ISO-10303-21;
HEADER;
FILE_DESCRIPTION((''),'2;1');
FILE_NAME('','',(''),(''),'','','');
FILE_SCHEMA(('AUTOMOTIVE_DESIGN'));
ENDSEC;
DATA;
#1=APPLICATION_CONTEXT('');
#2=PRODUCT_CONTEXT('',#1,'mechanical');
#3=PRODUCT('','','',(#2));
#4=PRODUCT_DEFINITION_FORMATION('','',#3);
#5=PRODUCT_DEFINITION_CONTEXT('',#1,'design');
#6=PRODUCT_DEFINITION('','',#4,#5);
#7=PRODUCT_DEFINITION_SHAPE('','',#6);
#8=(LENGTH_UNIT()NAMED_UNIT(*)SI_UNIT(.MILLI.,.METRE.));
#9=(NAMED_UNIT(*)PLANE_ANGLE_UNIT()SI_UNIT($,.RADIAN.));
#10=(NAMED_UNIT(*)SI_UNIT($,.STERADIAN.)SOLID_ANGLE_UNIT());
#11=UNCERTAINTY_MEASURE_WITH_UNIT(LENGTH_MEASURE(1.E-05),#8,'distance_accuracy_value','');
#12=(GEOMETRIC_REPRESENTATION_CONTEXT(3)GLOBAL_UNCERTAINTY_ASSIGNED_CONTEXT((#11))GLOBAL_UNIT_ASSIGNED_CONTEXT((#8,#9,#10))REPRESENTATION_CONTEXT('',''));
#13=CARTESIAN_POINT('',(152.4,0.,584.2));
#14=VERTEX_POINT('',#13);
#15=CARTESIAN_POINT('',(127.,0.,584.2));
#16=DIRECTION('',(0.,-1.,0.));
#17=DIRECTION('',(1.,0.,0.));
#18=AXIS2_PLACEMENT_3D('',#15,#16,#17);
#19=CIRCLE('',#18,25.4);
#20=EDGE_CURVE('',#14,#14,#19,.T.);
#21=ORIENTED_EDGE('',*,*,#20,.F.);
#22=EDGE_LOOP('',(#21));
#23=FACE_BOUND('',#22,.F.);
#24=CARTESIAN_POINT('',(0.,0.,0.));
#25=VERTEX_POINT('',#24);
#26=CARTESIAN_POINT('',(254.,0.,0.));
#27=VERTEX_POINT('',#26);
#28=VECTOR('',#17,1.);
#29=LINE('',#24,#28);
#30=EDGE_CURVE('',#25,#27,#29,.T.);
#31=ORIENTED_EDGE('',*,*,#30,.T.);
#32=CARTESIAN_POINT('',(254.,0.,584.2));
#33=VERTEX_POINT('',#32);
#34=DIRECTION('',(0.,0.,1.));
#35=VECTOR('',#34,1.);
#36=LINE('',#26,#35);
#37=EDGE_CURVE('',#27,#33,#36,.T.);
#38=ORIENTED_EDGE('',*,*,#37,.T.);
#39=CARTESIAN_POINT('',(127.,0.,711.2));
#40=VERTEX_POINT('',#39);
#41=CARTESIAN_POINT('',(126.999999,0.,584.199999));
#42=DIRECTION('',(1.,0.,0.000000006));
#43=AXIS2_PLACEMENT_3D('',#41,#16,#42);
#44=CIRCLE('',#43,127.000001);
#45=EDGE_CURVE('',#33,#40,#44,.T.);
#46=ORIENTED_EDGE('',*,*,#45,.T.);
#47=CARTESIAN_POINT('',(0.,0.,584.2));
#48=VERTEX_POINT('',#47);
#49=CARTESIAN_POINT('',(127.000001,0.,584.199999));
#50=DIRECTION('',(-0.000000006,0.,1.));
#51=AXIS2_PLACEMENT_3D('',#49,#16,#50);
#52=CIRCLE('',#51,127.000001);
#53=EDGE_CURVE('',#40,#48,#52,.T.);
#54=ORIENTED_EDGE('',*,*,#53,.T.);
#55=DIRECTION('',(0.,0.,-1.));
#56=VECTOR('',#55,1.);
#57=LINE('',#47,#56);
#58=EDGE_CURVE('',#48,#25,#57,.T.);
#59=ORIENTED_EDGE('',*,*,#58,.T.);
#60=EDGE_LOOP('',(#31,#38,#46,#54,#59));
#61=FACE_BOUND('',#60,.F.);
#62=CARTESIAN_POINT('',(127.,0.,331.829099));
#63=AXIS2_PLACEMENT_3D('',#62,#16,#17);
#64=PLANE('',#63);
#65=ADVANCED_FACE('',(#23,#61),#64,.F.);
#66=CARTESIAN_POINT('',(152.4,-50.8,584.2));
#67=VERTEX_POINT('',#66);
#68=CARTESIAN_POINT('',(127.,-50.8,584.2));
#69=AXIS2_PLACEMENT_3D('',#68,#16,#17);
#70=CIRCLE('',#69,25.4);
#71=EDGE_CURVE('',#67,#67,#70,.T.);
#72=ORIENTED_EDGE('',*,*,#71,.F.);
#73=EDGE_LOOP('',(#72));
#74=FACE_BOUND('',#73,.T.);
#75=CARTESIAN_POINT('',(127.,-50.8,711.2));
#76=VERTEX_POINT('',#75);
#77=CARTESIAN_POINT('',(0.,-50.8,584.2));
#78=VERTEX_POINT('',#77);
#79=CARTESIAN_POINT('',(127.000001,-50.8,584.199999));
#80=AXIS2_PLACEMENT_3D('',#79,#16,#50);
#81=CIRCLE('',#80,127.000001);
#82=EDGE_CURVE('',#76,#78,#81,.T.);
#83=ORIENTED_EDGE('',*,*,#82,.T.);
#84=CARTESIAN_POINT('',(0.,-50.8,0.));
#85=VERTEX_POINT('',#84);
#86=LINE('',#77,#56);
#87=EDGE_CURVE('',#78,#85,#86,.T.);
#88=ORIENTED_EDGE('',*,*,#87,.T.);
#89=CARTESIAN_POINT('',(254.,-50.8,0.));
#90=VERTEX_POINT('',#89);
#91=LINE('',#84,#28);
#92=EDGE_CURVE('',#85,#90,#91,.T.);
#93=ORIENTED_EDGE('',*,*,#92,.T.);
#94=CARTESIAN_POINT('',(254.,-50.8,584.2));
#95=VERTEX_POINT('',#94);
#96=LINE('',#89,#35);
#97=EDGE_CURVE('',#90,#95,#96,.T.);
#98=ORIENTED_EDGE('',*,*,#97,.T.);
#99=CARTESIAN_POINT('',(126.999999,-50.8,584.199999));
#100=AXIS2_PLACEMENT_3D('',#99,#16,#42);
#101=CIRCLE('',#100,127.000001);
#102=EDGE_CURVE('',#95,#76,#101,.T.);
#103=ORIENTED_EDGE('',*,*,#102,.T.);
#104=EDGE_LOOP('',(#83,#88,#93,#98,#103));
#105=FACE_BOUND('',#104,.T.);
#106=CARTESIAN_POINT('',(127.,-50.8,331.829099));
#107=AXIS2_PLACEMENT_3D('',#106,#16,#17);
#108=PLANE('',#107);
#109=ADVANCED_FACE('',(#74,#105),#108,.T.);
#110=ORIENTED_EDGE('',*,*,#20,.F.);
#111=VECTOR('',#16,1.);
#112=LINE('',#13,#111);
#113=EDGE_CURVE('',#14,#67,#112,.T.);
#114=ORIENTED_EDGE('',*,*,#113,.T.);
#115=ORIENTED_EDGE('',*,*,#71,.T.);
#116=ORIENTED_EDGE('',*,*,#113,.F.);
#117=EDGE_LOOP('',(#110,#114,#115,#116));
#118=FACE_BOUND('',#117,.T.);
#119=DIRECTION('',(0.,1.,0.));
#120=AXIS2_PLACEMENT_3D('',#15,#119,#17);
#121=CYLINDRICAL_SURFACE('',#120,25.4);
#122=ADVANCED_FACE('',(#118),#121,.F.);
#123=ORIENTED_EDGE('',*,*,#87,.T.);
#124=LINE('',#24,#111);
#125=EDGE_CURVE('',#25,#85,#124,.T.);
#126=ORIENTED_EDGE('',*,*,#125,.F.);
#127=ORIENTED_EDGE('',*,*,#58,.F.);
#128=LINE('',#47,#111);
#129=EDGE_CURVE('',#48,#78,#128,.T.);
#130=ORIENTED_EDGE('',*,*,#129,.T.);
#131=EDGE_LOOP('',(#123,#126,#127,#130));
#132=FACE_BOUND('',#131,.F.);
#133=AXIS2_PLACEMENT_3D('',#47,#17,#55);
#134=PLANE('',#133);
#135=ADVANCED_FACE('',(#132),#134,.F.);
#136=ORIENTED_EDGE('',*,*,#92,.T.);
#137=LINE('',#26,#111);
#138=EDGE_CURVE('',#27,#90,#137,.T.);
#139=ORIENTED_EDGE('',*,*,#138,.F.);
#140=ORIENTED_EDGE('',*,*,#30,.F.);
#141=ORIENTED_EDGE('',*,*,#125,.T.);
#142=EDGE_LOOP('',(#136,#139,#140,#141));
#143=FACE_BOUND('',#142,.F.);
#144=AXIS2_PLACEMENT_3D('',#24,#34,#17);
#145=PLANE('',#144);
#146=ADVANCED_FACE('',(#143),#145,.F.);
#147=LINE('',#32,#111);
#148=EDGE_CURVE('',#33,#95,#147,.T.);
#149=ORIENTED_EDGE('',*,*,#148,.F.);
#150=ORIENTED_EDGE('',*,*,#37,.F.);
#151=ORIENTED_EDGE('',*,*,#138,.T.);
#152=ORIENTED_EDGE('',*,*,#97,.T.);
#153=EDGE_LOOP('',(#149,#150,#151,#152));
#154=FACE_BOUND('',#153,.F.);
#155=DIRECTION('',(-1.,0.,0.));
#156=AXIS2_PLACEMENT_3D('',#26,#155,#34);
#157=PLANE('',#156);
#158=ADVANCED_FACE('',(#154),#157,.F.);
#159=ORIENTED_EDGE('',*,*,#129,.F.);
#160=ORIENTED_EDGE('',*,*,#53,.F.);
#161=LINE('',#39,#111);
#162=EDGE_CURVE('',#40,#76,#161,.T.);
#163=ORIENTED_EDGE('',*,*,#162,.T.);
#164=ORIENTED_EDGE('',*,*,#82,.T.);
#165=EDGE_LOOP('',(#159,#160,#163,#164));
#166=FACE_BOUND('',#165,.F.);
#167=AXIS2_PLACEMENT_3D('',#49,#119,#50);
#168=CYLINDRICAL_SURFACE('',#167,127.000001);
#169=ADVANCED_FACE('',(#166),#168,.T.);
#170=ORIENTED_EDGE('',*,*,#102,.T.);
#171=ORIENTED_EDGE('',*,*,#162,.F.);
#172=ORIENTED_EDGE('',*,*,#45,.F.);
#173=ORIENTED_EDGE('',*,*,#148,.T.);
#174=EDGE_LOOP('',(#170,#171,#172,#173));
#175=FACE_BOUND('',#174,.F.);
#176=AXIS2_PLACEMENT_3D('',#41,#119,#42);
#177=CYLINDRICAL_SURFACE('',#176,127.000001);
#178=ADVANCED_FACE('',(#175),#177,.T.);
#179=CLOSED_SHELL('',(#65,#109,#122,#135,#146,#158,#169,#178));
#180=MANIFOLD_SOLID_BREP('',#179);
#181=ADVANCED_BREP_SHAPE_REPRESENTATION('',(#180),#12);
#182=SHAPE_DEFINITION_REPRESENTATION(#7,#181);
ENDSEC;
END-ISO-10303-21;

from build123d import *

# Parameters (mm, degrees)
F0_R     = 25.4
F1_DEPTH = 50.8


with BuildPart() as f1:
    # F0 (on Front) → F1 (new body)
    with BuildSketch(Plane.XZ):
        with BuildLine():
            Line((0, 584.2), (0, 0))
            Line((0, 0), (254, 0))
            Line((254, 0), (254, 584.2))
            ThreePointArc((254, 584.2), (216.802561, 674.002561), (127, 711.2))
            ThreePointArc((127, 711.2), (37.197439, 674.002561), (0, 584.2))
        make_face()
        with Locations((127, 584.2)):
            Circle(F0_R, mode=Mode.SUBTRACT)
    extrude(amount=F1_DEPTH)


solid = f1.part
